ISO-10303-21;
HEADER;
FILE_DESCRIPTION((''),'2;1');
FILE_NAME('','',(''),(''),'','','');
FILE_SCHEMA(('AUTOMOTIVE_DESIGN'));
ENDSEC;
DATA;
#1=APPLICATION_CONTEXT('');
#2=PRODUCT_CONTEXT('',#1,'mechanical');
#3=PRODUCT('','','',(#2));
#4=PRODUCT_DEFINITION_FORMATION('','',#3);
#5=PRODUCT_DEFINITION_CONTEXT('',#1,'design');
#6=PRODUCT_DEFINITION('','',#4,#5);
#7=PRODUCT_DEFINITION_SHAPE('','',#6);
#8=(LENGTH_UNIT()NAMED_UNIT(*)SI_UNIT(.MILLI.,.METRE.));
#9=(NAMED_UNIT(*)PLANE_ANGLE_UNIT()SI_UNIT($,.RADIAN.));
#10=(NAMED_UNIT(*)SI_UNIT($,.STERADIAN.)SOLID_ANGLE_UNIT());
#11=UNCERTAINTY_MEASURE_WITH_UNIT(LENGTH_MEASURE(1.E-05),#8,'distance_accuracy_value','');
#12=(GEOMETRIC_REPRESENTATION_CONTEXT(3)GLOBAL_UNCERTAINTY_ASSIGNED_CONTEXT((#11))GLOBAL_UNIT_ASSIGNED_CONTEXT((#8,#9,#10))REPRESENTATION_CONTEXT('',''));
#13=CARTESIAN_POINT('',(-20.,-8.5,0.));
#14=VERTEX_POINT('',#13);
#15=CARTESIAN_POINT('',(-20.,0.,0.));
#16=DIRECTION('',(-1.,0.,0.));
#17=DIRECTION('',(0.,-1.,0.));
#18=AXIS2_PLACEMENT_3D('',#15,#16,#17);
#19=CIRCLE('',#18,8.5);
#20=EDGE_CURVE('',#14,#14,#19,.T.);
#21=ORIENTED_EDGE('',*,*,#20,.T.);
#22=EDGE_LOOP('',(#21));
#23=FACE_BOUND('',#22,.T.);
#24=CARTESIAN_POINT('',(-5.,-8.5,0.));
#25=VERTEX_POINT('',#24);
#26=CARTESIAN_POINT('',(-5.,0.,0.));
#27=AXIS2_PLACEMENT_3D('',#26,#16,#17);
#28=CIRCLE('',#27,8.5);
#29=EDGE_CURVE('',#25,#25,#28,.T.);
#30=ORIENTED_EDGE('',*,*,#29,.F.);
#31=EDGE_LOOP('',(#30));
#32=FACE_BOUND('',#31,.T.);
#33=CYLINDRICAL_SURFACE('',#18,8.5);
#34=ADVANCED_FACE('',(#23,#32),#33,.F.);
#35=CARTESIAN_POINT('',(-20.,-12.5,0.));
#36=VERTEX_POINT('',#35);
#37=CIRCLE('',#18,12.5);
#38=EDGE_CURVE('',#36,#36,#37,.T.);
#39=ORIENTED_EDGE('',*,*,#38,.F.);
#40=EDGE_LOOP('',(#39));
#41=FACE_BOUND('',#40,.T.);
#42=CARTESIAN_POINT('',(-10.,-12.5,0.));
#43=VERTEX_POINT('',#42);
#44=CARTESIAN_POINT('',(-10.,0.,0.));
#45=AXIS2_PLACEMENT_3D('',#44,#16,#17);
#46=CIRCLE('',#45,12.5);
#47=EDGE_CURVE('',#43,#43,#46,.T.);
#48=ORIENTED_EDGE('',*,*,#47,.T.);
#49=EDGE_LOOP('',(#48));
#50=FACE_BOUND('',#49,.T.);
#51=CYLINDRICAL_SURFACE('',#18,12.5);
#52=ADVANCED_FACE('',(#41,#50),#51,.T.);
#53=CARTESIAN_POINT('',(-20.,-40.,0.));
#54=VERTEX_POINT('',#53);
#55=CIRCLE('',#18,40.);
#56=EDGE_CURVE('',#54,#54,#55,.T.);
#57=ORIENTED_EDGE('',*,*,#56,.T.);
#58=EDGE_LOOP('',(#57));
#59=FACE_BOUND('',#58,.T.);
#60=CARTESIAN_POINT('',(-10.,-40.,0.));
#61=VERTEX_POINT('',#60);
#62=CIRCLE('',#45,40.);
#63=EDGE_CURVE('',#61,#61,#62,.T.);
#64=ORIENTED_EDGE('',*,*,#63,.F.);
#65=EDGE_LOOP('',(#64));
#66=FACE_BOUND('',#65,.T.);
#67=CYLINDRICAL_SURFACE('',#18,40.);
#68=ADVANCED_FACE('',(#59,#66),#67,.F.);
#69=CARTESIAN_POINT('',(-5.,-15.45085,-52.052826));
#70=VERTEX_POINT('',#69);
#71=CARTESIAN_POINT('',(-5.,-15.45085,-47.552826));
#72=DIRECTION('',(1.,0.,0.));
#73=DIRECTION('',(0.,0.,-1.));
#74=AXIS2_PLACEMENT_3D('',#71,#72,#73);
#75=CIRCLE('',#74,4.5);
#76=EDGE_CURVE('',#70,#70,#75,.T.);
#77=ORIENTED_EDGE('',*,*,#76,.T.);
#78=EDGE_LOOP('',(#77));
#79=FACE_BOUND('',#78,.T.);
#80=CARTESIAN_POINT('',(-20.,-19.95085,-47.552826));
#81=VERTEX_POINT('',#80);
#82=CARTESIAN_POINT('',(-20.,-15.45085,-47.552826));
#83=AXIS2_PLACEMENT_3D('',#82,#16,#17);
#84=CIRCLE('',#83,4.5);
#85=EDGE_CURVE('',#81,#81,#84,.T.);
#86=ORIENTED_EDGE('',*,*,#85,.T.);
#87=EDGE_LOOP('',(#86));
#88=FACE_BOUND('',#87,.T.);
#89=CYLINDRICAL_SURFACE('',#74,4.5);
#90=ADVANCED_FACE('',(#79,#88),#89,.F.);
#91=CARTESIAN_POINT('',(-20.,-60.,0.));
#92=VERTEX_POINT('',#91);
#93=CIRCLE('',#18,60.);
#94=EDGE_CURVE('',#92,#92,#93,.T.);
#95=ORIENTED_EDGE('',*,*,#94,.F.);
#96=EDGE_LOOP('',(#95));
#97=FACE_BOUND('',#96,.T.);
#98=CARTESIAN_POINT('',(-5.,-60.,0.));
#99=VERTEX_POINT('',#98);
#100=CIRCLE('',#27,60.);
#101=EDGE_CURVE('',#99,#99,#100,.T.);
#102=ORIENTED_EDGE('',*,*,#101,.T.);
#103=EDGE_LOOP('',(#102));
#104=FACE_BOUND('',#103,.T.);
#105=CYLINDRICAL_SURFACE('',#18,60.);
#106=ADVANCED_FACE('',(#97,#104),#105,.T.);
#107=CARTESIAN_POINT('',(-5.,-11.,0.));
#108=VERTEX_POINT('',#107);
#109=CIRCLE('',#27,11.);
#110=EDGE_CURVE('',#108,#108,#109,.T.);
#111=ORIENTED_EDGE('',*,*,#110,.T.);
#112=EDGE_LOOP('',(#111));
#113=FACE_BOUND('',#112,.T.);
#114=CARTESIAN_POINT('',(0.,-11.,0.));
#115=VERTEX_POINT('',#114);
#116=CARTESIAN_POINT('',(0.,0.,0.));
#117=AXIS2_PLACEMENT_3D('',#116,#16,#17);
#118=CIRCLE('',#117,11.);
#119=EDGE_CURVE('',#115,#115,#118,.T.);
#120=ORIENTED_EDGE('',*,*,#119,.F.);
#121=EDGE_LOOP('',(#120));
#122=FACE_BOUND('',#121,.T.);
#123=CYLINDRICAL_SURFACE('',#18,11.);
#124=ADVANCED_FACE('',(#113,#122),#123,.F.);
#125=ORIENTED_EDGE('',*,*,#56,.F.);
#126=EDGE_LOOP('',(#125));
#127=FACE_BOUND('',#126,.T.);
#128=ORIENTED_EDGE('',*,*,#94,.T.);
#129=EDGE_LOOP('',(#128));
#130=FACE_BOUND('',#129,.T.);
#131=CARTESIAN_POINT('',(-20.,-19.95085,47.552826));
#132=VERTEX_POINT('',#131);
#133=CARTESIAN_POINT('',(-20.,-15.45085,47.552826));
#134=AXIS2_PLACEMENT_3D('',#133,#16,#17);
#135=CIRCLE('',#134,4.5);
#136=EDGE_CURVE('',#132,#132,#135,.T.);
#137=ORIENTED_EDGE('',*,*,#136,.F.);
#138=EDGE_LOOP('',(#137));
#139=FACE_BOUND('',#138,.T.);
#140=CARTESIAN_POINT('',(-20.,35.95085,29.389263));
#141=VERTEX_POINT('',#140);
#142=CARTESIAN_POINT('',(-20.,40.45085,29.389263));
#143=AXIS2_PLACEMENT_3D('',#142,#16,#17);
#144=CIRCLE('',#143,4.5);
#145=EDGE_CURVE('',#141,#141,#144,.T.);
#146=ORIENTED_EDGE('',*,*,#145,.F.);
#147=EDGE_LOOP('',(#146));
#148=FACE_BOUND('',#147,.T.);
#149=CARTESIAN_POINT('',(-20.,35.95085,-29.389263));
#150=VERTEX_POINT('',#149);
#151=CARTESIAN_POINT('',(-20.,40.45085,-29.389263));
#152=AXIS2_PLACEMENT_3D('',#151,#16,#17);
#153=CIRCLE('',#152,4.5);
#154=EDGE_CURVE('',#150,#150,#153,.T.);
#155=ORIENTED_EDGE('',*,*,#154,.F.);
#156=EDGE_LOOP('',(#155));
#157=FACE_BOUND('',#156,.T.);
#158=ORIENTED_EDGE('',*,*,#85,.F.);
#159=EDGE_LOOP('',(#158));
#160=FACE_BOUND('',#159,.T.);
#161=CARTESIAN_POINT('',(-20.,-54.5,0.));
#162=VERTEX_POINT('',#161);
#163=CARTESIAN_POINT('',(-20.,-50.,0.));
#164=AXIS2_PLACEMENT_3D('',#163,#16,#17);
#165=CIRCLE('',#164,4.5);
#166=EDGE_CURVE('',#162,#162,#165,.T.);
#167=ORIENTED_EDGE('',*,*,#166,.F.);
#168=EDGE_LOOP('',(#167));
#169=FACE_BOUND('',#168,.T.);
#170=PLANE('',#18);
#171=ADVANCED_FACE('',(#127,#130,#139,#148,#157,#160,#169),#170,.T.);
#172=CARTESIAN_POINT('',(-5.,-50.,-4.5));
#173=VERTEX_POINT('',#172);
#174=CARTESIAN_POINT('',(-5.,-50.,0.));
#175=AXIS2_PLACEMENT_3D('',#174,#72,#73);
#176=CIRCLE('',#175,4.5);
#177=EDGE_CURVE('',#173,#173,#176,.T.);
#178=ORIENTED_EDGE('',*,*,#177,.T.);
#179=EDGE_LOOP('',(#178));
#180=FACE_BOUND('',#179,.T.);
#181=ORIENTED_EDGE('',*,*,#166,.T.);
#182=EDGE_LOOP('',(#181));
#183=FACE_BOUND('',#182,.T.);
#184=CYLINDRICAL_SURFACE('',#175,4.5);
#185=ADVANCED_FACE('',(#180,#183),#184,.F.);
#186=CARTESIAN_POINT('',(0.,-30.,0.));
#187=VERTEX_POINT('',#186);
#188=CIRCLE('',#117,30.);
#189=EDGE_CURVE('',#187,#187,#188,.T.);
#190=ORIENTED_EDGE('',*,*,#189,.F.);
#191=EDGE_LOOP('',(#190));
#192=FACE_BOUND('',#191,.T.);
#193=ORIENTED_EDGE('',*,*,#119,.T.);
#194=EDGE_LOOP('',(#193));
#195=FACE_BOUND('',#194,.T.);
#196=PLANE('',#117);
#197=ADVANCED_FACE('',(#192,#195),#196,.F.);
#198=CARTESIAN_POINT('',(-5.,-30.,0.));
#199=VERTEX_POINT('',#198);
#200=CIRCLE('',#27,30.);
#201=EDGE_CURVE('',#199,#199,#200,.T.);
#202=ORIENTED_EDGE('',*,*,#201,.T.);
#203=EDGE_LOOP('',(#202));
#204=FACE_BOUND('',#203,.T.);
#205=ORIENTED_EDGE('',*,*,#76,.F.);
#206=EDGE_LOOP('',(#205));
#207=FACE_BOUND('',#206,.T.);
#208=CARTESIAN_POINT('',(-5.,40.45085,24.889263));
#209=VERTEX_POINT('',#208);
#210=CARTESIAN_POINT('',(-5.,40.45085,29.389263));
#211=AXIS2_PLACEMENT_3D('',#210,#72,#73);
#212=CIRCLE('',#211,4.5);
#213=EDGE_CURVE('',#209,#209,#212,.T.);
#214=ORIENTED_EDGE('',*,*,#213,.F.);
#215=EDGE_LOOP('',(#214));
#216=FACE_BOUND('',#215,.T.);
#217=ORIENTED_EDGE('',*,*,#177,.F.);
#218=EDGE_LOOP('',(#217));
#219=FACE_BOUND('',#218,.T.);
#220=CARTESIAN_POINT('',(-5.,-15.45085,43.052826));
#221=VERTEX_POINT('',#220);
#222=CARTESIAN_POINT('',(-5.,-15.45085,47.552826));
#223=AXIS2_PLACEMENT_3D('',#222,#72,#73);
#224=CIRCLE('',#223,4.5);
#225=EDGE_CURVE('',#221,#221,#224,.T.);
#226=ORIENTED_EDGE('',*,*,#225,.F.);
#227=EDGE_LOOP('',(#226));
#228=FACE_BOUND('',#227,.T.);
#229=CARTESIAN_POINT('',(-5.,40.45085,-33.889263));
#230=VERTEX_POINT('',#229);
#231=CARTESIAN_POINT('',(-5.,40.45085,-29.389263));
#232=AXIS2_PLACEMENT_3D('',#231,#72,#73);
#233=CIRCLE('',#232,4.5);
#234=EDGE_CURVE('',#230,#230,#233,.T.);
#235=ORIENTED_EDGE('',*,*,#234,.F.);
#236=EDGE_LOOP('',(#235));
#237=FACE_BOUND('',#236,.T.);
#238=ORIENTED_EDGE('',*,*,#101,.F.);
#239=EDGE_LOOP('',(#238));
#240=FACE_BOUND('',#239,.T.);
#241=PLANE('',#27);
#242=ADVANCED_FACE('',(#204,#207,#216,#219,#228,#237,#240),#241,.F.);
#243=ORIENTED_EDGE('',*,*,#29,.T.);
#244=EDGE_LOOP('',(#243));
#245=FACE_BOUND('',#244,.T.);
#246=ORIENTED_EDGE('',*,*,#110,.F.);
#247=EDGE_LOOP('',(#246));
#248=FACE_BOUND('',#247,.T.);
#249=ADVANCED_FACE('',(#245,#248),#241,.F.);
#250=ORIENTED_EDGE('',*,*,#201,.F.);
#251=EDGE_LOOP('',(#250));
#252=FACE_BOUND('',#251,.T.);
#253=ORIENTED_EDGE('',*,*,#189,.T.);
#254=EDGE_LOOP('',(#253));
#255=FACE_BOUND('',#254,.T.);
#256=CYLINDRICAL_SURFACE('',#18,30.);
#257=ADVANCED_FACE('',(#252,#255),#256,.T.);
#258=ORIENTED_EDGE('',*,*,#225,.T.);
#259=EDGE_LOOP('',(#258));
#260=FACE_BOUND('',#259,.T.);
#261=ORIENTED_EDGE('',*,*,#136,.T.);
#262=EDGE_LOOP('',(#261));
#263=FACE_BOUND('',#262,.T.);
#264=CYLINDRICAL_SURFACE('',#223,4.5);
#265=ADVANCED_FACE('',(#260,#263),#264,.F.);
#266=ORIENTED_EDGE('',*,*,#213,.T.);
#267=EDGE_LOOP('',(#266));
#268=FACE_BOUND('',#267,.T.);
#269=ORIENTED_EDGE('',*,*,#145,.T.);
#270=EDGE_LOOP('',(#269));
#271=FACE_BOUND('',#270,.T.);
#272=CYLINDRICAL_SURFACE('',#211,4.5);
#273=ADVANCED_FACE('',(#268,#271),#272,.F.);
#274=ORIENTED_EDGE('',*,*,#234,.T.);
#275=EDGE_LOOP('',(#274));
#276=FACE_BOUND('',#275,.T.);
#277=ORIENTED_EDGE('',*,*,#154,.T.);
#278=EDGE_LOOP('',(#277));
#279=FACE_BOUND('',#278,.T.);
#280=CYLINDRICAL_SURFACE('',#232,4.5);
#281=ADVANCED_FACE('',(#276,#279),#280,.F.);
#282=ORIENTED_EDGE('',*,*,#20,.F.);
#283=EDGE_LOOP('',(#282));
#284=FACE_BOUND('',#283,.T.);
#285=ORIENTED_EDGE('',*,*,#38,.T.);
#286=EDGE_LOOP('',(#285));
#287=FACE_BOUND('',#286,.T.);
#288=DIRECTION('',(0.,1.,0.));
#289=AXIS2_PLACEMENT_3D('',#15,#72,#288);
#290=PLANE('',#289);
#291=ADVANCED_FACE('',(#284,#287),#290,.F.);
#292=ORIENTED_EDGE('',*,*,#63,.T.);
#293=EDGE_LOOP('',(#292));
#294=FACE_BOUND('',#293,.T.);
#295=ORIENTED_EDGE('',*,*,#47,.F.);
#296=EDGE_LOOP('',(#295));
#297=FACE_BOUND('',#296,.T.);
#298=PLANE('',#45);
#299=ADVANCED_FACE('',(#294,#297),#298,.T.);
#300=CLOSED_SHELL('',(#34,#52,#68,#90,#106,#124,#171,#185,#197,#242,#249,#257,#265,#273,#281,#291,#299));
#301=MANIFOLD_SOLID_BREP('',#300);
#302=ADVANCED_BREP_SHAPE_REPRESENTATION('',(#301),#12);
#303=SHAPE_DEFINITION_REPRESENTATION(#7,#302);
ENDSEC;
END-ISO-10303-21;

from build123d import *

# Parameters (mm, degrees)
M8_CLEARANCE_HOLE1_D     = 9
M8_CLEARANCE_HOLE1_DEPTH = 15
CIRPATTERN1_COUNT        = 5


with BuildPart() as part:
    # Sketch2 → Revolve1 (revolve)
    with BuildSketch(Plane.XY):
        Polygon((-5, 11), (0, 11), (0, 30), (-5, 30), (-5, 60), (-20, 60), (-20, 40), (-10, 40), (-10, 12.5), (-20, 12.5), (-20, 8.5), (-5, 8.5), align=None)
    revolve(axis=Axis((-20, 0, 0), (1, 0, 0)))

    # M8 Clearance Hole1
    with Locations(Plane(origin=(-5, -50, 0), x_dir=(0, 0, 1), z_dir=(1, 0, 0))):
        with Locations((0, 0)):
            m8_clearance_hole1 = Hole(M8_CLEARANCE_HOLE1_D / 2, depth=M8_CLEARANCE_HOLE1_DEPTH)

    # CirPattern1: M8 Clearance Hole1 ×5 about axis
    cirpattern1_axis = Axis((0, 0, 0), (1, 0, 0))
    for i in range(1, CIRPATTERN1_COUNT):
        add(m8_clearance_hole1.rotate(cirpattern1_axis, i * 360 / CIRPATTERN1_COUNT), mode=Mode.SUBTRACT)


solid = part.part
